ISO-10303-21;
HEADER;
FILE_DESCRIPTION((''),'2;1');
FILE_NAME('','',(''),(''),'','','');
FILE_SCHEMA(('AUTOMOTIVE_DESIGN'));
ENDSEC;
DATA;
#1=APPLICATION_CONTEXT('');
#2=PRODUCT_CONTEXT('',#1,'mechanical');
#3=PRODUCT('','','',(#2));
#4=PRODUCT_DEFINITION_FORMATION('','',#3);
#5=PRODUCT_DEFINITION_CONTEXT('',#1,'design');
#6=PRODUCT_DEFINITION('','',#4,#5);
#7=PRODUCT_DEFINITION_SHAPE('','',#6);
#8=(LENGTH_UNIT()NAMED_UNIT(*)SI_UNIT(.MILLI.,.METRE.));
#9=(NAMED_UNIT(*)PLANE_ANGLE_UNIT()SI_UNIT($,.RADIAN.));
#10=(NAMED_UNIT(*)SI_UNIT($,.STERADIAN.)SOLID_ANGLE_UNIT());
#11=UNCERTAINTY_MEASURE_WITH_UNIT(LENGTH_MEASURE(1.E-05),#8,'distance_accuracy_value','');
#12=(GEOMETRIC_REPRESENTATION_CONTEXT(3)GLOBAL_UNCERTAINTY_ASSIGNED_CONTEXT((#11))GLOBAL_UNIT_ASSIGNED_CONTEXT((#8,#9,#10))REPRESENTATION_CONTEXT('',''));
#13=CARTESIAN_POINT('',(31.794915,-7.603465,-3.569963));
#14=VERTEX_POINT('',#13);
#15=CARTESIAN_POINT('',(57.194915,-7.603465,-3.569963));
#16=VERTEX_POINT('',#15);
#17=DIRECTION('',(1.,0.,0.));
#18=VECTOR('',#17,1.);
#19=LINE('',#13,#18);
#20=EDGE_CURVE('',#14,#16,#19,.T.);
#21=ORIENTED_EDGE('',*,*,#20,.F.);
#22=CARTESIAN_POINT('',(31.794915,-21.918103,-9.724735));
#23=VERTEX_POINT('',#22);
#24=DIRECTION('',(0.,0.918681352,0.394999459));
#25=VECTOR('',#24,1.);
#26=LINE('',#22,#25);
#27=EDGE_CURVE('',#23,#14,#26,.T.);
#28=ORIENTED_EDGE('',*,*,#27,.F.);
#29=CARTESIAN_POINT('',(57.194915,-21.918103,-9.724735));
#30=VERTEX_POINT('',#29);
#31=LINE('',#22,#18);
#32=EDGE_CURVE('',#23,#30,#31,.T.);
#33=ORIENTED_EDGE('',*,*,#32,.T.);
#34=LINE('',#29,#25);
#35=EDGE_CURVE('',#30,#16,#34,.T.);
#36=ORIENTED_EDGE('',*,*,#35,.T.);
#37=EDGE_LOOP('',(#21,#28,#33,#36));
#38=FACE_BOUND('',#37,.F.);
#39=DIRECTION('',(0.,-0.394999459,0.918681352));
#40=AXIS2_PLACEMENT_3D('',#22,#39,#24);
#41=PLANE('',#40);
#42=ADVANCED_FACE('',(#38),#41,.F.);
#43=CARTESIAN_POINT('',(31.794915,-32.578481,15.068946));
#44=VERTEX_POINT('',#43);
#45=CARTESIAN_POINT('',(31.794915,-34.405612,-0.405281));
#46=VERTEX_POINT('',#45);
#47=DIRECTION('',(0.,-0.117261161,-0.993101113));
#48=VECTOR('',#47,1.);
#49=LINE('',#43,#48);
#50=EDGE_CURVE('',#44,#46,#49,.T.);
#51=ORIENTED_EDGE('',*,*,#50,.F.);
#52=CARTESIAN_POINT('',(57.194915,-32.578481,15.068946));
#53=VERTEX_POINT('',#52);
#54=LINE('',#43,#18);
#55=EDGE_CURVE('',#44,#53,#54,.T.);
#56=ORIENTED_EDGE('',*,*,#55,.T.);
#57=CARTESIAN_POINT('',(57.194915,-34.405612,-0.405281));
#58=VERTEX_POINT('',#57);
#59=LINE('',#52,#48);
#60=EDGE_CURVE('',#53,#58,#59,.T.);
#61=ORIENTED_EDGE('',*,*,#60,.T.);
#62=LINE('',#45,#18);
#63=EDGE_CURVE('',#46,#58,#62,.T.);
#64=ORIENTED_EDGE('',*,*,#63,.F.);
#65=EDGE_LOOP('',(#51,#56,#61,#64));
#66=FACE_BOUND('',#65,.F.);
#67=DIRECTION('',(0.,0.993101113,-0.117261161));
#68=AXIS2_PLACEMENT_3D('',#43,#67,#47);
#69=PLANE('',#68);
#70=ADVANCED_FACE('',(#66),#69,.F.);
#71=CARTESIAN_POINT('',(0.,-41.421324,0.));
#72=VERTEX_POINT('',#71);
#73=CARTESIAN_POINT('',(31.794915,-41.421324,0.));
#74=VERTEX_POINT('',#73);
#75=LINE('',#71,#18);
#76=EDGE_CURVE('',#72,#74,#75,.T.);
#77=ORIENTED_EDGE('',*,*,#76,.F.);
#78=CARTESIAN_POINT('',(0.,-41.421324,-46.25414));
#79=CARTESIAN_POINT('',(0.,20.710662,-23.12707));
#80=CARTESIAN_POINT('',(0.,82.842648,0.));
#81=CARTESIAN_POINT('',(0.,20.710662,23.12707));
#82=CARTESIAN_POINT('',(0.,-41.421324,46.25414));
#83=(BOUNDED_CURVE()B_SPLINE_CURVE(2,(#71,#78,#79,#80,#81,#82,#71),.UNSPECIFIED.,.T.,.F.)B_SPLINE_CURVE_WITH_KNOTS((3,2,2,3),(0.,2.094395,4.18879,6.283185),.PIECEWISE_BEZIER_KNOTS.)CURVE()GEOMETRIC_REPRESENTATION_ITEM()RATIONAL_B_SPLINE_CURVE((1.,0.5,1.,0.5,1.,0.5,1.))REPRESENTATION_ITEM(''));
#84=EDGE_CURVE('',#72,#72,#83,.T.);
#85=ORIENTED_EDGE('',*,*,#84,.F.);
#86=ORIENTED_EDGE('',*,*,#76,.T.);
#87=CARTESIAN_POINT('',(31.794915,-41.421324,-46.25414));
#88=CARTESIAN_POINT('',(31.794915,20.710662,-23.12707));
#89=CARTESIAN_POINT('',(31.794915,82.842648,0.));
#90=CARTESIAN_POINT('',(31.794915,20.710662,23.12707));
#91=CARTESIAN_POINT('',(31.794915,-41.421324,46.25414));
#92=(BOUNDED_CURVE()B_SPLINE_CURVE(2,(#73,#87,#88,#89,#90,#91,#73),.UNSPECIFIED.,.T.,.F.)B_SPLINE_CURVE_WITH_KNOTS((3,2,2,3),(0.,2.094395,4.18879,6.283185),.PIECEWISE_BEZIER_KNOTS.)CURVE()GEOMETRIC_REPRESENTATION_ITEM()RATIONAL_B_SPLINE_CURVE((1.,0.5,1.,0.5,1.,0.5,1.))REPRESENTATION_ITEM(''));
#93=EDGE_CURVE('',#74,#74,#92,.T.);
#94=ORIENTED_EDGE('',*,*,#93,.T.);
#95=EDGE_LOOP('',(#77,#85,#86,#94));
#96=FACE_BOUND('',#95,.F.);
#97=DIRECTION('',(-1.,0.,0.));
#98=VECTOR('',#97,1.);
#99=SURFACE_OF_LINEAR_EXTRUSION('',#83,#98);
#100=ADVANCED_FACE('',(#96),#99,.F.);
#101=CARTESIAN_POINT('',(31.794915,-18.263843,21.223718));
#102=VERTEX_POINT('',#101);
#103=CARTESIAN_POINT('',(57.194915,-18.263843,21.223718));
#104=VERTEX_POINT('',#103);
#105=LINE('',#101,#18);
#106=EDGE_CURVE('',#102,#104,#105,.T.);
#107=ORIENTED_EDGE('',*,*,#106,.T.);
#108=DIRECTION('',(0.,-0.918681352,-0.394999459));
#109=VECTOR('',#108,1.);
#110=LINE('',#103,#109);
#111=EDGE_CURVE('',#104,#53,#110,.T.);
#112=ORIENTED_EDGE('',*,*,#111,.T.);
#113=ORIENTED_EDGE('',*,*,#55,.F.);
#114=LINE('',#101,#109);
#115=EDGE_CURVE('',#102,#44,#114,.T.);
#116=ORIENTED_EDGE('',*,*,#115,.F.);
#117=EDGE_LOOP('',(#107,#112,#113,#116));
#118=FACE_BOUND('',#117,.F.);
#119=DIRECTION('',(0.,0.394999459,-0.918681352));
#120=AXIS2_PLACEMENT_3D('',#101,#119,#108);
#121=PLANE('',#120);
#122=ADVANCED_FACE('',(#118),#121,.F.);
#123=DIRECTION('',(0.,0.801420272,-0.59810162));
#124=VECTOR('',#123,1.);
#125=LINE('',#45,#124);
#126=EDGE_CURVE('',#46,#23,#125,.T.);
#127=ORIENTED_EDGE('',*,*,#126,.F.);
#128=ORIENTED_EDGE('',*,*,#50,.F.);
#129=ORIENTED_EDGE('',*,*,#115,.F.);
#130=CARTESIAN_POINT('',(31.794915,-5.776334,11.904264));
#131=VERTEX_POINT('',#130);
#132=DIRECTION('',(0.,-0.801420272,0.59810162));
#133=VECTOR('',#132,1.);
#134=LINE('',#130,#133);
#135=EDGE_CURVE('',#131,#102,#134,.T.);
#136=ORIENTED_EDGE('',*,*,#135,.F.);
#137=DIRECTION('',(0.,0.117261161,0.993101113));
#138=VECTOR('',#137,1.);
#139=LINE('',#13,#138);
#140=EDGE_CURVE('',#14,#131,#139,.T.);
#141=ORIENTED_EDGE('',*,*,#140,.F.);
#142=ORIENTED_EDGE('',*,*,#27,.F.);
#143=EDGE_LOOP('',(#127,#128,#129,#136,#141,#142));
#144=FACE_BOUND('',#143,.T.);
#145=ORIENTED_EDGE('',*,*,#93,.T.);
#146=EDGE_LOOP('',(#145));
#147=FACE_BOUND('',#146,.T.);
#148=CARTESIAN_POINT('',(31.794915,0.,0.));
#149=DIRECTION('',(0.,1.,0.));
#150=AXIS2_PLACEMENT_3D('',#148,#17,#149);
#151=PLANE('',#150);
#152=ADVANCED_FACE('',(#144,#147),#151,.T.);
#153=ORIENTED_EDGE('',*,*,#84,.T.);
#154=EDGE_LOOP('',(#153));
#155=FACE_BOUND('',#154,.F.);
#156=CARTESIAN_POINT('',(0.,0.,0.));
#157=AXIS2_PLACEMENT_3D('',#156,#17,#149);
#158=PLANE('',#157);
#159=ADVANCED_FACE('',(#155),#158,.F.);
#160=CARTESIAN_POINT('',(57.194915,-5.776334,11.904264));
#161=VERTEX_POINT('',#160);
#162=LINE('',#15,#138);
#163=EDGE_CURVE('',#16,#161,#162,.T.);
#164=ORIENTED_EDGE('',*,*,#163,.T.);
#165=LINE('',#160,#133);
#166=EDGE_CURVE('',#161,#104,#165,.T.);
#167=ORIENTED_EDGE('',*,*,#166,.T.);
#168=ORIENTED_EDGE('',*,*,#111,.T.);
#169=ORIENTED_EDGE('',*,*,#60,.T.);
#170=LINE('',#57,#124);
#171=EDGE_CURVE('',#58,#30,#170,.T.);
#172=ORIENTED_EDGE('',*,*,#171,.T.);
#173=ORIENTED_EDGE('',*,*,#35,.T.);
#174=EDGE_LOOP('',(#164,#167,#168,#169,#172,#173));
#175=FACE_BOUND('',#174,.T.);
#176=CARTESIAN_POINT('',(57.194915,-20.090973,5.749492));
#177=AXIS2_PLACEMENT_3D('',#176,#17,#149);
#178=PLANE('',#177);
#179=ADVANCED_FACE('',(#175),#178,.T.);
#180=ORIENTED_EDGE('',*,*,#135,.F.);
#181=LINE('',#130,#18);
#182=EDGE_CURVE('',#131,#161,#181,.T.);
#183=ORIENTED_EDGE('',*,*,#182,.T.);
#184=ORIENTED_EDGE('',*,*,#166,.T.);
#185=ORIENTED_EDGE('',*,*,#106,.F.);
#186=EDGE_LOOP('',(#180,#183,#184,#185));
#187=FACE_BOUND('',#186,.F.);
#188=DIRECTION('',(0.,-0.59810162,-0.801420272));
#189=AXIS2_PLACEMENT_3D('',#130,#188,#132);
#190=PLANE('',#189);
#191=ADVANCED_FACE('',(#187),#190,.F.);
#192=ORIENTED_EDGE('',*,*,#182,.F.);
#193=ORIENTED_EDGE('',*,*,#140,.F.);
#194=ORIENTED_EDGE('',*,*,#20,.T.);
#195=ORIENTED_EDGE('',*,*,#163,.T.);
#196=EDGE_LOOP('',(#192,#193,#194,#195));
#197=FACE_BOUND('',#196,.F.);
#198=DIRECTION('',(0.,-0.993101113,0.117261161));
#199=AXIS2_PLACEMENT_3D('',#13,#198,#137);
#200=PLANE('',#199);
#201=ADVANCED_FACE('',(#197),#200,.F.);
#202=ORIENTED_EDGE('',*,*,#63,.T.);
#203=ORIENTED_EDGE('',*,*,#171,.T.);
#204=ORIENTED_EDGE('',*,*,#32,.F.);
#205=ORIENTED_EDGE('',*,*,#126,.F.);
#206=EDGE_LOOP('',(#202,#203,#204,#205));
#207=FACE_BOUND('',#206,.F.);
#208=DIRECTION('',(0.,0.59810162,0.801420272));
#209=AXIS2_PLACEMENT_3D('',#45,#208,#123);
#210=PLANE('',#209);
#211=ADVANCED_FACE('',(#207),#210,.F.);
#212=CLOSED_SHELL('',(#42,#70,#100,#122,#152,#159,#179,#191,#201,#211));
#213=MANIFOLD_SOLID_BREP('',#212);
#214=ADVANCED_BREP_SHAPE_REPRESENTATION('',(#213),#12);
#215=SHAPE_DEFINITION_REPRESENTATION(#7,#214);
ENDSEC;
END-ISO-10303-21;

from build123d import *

# Parameters (mm, degrees)
F1_DEPTH = 31.794915
F4_DEPTH = 25.4


with BuildPart() as f1:
    # F0 (on Right) → F1 (new body)
    with BuildSketch(Plane.YZ):
        with BuildLine():
            add(Edge.make_bspline(
                [(-41.421324, 0), (-41.421324, -46.25414), (20.710662, -23.12707), (82.842648, 0), (20.710662, 23.12707), (-41.421324, 46.25414), (-41.421324, 0)],
                knots=[0, 0, 0, 2.094395, 2.094395, 4.18879, 4.18879, 6.283185, 6.283185, 6.283185], degree=2, weights=[1, 0.5, 1, 0.5, 1, 0.5, 1]))
        make_face()
    extrude(amount=F1_DEPTH)

    # F3 (on face) → F4 (join)
    with BuildSketch(Plane.YZ.offset(31.794915)):
        Polygon((-34.405612, -0.405281), (-21.918103, -9.724735), (-7.603465, -3.569963), (-5.776334, 11.904264), (-18.263843, 21.223718), (-32.578481, 15.068946), align=None)
    extrude(amount=F4_DEPTH)


solid = f1.part
